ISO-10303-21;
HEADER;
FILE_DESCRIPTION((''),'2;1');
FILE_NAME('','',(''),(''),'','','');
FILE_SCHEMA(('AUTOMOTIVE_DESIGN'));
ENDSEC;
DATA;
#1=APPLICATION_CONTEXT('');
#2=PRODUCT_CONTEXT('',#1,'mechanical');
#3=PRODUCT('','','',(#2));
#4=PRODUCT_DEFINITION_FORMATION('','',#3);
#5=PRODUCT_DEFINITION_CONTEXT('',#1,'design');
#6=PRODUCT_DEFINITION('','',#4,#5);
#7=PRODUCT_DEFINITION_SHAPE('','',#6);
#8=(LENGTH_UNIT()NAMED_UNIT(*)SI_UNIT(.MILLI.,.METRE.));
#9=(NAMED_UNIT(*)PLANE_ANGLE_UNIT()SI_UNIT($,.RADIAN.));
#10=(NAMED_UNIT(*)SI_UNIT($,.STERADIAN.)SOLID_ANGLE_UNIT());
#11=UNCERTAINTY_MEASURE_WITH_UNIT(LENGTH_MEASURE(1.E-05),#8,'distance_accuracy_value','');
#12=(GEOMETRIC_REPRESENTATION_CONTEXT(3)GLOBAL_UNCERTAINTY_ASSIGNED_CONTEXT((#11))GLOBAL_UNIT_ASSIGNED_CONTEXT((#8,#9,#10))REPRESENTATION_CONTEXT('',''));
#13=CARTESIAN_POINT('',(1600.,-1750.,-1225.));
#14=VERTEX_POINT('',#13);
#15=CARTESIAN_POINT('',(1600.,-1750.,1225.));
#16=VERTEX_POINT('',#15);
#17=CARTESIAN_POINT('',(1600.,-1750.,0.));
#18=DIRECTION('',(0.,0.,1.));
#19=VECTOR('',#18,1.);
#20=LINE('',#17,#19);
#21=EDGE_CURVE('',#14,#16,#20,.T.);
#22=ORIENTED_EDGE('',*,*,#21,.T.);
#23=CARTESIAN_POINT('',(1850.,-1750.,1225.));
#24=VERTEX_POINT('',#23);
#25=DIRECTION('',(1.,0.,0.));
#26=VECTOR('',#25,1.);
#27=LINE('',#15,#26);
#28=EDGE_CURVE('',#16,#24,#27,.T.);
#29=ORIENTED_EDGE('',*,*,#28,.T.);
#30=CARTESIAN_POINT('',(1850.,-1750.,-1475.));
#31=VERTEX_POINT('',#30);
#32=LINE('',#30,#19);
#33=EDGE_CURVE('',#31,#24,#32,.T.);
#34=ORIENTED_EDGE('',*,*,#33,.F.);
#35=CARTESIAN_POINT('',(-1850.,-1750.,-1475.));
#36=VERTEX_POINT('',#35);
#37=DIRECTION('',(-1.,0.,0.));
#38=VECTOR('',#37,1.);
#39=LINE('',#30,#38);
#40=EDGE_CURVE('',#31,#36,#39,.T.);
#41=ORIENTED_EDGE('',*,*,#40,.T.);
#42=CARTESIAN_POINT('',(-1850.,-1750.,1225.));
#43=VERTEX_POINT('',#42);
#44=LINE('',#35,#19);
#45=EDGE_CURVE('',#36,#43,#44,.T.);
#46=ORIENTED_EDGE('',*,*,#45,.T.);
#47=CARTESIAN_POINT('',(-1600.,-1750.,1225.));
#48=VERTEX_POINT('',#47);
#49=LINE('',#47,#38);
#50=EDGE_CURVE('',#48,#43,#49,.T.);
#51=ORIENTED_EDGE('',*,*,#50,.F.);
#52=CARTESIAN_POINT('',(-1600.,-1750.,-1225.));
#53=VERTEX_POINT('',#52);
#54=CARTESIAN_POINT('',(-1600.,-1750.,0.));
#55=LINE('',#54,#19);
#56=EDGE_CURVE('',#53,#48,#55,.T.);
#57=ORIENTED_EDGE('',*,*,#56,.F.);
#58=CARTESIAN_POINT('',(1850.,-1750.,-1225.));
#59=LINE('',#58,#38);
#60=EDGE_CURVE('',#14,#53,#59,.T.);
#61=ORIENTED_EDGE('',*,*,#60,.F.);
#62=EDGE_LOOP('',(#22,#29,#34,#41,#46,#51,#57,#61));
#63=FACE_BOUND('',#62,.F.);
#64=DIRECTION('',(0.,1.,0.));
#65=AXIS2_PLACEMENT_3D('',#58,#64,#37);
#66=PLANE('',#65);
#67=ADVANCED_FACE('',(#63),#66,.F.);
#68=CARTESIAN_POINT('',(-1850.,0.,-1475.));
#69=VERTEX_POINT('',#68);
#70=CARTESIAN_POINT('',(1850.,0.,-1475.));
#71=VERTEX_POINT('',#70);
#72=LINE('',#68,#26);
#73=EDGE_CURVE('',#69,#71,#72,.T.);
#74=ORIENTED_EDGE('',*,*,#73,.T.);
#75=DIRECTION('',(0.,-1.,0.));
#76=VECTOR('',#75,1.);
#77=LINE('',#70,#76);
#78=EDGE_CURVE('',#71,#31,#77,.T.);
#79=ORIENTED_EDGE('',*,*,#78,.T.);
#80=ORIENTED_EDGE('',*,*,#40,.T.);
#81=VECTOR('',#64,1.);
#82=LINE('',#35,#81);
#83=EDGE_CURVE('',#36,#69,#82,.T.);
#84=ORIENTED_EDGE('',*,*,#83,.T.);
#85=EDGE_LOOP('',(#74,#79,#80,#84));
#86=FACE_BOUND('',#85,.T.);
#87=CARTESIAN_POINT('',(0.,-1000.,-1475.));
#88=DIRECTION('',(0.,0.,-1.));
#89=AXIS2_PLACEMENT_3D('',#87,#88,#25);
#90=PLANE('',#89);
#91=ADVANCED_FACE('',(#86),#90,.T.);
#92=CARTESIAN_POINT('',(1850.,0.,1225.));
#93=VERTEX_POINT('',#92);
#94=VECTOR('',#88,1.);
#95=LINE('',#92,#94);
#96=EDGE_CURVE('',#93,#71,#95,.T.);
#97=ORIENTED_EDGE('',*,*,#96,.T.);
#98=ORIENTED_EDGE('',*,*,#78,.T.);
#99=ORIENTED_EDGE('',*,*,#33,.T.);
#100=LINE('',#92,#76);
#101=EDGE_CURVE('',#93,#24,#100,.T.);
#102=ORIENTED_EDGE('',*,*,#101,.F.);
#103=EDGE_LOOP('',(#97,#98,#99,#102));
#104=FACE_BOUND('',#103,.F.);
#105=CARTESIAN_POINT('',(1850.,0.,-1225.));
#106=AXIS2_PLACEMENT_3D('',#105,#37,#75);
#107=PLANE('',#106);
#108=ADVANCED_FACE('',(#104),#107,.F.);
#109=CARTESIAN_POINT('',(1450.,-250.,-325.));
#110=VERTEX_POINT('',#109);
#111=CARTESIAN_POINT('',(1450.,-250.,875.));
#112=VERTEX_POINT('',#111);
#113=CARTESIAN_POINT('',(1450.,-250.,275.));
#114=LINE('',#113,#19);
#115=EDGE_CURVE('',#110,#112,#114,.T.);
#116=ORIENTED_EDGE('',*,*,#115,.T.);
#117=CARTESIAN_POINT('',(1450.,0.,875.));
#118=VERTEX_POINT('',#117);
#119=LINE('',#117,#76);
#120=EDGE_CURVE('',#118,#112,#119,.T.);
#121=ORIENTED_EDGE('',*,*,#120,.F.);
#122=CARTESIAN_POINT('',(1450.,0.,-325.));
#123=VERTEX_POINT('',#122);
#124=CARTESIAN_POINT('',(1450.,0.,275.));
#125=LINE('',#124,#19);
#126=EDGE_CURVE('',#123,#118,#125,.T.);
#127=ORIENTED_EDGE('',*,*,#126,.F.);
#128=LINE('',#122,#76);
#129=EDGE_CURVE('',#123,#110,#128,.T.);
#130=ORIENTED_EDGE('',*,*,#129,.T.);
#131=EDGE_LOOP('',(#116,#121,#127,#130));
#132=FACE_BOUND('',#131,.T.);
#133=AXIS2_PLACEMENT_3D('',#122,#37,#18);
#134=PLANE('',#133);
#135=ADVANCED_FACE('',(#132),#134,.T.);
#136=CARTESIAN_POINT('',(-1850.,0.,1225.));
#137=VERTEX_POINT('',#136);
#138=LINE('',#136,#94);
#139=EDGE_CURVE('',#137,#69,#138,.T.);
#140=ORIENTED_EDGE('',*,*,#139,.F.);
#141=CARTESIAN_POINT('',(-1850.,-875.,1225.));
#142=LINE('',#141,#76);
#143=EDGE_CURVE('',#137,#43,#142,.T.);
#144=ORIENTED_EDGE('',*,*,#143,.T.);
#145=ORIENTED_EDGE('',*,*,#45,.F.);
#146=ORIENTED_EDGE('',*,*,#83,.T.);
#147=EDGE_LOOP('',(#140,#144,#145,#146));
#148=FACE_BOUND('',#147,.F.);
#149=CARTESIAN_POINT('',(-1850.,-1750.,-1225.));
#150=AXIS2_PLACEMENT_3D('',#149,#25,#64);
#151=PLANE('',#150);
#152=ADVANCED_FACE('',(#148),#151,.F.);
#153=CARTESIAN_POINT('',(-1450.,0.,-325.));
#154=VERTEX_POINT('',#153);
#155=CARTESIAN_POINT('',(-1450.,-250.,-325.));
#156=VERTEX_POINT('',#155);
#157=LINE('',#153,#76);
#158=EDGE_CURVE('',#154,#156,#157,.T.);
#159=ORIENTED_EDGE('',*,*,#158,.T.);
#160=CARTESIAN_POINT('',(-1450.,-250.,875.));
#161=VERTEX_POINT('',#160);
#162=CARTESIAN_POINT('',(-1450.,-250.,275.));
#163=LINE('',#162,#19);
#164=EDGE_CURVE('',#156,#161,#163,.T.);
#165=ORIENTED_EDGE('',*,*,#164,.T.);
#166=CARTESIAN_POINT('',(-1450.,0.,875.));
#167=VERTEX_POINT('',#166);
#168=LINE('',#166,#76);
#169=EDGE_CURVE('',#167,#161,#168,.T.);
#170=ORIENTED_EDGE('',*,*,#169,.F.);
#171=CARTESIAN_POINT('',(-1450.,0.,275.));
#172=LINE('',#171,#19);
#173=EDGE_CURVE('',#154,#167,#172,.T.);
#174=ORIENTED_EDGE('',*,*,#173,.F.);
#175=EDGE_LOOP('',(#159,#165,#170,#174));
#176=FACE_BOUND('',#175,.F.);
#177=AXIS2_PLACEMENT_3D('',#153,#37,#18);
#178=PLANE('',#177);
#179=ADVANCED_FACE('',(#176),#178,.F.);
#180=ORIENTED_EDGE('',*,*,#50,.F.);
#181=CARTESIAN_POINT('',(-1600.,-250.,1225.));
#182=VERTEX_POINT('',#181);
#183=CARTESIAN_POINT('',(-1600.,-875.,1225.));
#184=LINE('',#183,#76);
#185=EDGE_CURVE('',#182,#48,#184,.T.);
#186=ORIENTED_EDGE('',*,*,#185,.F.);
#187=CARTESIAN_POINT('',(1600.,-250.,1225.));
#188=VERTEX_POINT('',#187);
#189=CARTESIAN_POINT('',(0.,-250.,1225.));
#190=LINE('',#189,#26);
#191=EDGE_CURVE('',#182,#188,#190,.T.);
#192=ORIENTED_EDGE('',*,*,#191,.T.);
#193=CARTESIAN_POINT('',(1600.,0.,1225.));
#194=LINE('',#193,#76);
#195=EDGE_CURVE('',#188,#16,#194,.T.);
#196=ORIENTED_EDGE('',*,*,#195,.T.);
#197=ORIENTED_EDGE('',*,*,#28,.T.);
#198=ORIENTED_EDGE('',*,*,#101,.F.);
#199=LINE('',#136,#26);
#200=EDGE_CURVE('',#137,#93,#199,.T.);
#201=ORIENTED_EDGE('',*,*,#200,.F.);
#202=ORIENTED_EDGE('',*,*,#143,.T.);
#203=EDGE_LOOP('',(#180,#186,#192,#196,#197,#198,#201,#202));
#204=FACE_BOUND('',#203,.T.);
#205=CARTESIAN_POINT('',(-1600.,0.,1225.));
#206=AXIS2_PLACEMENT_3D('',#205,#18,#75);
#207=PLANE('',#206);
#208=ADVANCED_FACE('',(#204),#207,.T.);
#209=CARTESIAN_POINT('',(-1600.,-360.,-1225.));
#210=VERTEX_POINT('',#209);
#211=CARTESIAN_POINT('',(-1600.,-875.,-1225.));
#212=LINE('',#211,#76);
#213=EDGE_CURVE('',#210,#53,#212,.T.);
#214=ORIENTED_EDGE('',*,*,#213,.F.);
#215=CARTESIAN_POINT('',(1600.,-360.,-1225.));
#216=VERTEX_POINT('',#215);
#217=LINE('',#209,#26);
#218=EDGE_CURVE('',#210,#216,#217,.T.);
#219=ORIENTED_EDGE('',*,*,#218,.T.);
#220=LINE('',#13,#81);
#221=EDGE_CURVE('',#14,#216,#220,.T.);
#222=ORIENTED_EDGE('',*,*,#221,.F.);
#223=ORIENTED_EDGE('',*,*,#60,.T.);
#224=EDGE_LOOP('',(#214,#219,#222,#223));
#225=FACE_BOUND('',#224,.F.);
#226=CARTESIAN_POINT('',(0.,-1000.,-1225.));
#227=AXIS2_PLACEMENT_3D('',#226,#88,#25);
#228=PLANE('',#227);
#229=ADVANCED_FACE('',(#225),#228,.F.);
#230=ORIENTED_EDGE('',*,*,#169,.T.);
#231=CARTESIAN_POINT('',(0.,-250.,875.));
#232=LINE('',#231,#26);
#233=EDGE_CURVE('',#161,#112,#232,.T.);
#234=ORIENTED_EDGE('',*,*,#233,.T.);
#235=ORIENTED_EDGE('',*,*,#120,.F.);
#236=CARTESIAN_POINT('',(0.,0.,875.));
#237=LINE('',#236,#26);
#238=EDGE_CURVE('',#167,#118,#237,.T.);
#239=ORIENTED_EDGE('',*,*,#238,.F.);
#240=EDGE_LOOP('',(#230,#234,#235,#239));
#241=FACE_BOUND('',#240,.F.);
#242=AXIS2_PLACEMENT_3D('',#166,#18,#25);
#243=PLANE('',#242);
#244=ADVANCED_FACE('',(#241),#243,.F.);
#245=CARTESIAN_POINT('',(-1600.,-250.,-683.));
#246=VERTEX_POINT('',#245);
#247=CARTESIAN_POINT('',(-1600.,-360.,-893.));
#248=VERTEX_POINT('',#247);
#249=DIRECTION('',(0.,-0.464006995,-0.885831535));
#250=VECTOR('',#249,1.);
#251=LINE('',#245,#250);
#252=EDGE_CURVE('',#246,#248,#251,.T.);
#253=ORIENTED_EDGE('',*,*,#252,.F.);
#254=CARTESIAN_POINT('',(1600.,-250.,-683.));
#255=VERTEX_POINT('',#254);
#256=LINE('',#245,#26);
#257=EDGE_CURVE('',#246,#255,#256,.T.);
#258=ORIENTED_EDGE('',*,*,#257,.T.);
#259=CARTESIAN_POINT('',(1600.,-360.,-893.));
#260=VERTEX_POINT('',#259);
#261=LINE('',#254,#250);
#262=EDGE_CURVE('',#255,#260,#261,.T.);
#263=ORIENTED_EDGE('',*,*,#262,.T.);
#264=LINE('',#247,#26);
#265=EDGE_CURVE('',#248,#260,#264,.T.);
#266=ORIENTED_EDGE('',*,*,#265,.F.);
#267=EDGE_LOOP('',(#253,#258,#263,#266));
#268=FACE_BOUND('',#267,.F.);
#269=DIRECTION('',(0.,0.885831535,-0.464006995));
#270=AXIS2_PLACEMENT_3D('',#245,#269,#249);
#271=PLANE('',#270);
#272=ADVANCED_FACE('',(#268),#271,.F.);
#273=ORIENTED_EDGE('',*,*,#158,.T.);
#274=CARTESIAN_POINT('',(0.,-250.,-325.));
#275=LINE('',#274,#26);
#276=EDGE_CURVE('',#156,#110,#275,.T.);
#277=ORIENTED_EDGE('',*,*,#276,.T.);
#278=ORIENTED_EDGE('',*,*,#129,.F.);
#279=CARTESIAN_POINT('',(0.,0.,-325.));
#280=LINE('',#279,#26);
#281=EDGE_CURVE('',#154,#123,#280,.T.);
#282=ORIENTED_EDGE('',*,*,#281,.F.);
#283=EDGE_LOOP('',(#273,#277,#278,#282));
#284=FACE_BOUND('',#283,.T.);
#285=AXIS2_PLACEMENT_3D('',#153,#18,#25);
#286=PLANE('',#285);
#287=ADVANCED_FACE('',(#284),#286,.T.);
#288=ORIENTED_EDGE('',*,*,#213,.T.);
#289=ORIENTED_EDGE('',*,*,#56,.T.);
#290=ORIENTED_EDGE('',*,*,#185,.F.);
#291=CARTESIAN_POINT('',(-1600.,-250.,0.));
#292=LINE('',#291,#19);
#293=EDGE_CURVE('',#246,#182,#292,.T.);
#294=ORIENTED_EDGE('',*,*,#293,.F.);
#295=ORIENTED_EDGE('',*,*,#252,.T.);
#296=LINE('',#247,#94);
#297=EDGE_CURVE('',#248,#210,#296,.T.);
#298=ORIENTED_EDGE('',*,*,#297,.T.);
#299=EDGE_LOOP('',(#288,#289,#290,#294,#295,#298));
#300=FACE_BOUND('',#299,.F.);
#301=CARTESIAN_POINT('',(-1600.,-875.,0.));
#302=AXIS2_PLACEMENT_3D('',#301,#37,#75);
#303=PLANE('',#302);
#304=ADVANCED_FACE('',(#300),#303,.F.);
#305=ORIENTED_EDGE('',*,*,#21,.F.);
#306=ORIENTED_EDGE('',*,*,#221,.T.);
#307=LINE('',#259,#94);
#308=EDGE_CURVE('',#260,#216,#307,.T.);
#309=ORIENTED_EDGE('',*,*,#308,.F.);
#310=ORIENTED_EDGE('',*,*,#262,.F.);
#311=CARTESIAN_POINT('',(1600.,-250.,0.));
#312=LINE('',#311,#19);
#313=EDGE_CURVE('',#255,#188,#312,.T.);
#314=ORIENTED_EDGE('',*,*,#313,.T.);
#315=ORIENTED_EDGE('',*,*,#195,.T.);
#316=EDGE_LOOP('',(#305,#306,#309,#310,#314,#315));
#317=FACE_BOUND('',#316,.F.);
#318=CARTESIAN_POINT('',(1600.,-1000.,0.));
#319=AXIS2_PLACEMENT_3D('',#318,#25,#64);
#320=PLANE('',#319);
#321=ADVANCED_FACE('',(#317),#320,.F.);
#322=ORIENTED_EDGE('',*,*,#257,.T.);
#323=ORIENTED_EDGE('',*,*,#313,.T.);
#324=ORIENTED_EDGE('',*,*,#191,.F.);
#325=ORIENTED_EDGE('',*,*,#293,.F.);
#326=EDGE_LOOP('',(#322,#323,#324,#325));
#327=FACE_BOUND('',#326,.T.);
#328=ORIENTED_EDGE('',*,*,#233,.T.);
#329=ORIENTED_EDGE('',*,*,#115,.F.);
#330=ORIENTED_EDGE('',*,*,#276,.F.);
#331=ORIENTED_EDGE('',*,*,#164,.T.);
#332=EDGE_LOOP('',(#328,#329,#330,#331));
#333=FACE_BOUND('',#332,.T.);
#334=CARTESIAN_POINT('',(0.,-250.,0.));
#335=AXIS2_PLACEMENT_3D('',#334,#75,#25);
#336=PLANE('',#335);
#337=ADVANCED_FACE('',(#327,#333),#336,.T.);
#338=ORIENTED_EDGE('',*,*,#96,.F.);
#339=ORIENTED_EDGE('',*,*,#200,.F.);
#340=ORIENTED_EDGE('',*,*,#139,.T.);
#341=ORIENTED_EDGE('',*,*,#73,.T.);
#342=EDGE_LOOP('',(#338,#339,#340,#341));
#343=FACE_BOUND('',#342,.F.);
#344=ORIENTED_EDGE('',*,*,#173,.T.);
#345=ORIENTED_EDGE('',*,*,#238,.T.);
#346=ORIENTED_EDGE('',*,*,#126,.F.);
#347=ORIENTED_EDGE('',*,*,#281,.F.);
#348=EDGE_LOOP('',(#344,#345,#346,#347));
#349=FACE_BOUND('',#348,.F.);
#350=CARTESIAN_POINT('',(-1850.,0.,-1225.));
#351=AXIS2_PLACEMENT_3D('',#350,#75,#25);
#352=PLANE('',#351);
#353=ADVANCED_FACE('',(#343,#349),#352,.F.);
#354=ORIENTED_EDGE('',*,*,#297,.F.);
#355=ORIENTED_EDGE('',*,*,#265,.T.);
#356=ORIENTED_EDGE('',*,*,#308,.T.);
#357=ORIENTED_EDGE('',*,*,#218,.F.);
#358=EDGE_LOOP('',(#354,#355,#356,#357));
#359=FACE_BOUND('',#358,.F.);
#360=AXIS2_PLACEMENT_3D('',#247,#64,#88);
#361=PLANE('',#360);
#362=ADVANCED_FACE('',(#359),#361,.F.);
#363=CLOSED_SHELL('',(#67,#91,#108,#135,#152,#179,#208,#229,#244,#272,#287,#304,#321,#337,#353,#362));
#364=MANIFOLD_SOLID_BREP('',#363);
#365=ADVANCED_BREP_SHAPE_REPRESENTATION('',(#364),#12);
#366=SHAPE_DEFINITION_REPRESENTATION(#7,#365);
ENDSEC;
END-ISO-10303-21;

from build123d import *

# Parameters (mm, degrees)
F0_W     = 3200
F0_H     = 2450
F0_W_2   = 2900
F0_H_2   = 1200
F1_DEPTH = 250
F2_W     = 1500
F2_H     = 2450
F2_W_2   = 250
F3_DEPTH = 250
F4_W     = 1750
F4_H     = 2450
F5_DEPTH = 250
F6_W     = 3200
F6_H     = 1500
F7_DEPTH = 250
F9_DEPTH = 3200


with BuildPart() as f1:
    # F0 (on Front) → F1 (new body)
    with BuildSketch(Plane.XZ):
        Rectangle(F0_W, F0_H)
        with Locations((0, 275)):
            Rectangle(F0_W_2, F0_H_2, mode=Mode.SUBTRACT)
    extrude(amount=F1_DEPTH)

    # F2 (on face) → F3 (join)
    with BuildSketch(Plane.YZ.offset(1600)):
        with Locations((-1000, 0)):
            Rectangle(F2_W, F2_H)
        with Locations((-125, 0)):
            Rectangle(F2_W_2, F2_H)
    extrude(amount=F3_DEPTH)

    # F4 (on face) → F5 (join)
    with BuildSketch(Plane(origin=(-1600, 0, 0), x_dir=(0, -1, 0), z_dir=(-1, 0, 0))):
        with Locations((875, 0)):
            Rectangle(F4_W, F4_H)
    extrude(amount=F5_DEPTH)

    # F6 (on face) → F7 (join)
    with BuildSketch(Plane(origin=(0, 0, -1225), x_dir=(1, 0, 0), z_dir=(0, 0, -1))):
        with Locations((0, 1000)):
            Rectangle(F6_W, F6_H)
        Polygon((-1850, 1750), (-1850, 0), (1850, 0), (1850, 1750), (1600, 1750), (1600, 250), (-1600, 250), (-1600, 1750), align=None)
    extrude(amount=F7_DEPTH)

    # F8 (on face) → F9 (join, through all)
    with BuildSketch(Plane.YZ.offset(-1600)):
        Polygon((-360, -1225), (-250, -1225), (-250, -683), (-360, -893), align=None)
    extrude(amount=F9_DEPTH)


solid = f1.part
